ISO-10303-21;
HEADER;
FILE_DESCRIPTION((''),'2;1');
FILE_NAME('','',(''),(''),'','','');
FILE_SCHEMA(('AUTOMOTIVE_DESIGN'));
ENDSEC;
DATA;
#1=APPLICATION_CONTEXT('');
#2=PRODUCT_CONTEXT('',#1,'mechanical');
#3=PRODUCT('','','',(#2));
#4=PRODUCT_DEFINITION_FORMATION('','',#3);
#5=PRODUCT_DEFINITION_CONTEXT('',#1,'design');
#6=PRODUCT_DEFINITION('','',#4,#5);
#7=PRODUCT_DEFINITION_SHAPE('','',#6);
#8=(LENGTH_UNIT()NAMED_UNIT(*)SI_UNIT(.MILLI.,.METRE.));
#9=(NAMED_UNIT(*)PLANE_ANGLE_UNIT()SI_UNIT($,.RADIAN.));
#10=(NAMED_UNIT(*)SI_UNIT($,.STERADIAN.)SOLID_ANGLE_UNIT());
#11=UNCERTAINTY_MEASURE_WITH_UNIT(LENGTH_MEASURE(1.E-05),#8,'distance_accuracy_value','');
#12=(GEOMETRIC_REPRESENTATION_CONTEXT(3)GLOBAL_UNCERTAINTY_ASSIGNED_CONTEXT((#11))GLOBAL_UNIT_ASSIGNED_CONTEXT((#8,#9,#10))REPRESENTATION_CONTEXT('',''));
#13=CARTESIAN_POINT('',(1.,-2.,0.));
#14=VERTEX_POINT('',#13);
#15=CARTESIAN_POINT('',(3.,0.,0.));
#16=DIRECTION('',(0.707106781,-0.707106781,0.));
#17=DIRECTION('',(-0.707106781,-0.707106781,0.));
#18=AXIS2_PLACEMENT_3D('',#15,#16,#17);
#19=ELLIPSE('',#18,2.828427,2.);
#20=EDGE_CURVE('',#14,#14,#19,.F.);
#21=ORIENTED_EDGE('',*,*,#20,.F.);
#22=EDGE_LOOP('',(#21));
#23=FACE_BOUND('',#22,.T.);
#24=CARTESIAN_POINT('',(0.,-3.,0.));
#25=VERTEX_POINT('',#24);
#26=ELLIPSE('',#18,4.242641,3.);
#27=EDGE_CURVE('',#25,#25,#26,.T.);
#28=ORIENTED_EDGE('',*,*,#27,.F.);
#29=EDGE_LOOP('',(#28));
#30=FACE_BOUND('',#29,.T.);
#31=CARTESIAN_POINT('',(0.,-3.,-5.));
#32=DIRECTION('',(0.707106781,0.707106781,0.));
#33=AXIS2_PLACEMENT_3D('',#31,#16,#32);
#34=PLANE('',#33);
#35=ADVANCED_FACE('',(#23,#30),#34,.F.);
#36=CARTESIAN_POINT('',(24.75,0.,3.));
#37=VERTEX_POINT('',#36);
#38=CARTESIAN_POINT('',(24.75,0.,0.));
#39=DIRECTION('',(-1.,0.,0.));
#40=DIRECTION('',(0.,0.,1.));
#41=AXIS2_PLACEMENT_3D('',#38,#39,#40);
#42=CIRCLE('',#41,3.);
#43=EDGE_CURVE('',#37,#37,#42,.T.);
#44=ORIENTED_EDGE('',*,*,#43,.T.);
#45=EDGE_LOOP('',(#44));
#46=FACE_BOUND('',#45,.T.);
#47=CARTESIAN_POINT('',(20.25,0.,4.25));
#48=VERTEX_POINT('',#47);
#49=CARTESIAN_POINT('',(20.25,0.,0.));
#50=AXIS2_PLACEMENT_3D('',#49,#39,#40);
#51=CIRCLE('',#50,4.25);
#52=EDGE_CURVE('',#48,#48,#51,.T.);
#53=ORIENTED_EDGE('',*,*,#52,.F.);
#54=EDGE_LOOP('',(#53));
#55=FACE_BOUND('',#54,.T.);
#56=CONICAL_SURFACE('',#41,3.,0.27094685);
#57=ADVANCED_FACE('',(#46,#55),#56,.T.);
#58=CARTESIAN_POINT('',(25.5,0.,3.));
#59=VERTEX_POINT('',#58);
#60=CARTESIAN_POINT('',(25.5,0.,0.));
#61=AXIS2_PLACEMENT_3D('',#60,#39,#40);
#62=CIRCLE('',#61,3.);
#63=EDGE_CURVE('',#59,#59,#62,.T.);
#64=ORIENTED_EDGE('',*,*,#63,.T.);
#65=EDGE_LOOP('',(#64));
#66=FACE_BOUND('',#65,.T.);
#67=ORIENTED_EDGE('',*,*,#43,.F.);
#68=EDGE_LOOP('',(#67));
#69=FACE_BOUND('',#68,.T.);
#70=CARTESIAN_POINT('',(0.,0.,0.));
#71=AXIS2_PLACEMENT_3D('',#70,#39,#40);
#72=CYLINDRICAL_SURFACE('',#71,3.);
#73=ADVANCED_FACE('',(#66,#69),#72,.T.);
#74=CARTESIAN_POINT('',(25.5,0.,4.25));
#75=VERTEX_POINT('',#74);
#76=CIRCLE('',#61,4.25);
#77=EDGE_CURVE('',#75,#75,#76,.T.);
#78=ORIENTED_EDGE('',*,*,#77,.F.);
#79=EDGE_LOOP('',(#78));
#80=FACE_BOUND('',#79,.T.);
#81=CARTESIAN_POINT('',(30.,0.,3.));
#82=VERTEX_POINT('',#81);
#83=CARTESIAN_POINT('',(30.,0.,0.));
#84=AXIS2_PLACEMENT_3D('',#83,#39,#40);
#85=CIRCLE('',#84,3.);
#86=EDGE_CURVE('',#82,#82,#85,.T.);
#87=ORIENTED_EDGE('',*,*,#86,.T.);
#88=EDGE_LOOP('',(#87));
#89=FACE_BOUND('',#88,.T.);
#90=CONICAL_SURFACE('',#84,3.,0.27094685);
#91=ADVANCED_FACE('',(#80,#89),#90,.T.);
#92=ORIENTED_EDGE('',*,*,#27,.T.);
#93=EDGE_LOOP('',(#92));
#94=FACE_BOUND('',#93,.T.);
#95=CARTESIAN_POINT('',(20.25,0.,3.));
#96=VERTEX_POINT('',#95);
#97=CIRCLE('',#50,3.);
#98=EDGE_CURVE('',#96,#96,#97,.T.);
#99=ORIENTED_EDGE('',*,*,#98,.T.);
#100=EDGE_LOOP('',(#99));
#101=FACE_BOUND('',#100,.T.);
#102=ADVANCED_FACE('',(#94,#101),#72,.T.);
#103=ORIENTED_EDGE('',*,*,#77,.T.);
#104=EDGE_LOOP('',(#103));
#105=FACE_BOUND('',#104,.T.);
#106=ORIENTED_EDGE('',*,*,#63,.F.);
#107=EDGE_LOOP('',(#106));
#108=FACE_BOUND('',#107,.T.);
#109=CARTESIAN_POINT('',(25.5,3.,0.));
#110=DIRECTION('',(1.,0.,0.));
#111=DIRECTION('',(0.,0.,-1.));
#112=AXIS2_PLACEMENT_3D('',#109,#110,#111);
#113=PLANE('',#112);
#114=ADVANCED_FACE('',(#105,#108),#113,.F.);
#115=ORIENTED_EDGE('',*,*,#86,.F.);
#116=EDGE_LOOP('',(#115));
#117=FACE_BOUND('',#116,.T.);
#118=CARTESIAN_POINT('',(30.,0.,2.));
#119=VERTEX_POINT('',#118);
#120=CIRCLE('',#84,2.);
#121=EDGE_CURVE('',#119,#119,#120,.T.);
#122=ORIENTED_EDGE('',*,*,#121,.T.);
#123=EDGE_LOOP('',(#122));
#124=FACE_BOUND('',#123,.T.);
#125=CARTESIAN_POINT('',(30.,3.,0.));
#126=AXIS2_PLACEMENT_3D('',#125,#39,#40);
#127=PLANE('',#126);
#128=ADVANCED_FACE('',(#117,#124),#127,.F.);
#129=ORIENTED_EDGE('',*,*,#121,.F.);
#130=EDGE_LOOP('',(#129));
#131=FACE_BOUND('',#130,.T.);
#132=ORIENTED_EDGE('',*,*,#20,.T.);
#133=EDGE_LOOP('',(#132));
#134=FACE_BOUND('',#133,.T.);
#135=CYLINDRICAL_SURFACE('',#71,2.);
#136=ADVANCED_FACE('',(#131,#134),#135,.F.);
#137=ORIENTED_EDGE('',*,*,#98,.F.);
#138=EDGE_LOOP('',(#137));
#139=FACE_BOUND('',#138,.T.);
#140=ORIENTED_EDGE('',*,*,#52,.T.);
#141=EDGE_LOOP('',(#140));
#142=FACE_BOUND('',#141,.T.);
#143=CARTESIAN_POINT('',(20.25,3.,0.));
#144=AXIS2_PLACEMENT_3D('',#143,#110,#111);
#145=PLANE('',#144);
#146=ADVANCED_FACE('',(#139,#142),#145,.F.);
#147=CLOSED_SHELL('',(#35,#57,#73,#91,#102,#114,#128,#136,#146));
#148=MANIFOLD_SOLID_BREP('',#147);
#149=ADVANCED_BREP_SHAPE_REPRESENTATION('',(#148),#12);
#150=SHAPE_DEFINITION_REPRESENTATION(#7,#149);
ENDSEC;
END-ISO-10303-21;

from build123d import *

# Parameters (mm, degrees)
CUT_EXTRUDE1_DEPTH = 5


with BuildPart() as part:
    # Sketch1 → Revolve1 (revolve)
    with BuildSketch(Plane.XY, mode=Mode.PRIVATE) as revolve1_sk:
        Polygon((0, 2), (0, 3), (20.25, 3), (20.25, 4.25), (24.75, 3), (25.5, 3), (25.5, 4.25), (30, 3), (30, 2), align=None)
    revolve(revolve1_sk.sketch.rotate(Axis((0, 0, 0), (1, 0, 0)), 90), axis=Axis((0, 0, 0), (1, 0, 0)))

    # Sketch2 → Cut-Extrude1 (cut, symmetric)
    with BuildSketch(Plane.XY):
        Polygon((0, -3), (6, 3), (0, 3), align=None)
    extrude(amount=CUT_EXTRUDE1_DEPTH, both=True, mode=Mode.SUBTRACT)


solid = part.part
